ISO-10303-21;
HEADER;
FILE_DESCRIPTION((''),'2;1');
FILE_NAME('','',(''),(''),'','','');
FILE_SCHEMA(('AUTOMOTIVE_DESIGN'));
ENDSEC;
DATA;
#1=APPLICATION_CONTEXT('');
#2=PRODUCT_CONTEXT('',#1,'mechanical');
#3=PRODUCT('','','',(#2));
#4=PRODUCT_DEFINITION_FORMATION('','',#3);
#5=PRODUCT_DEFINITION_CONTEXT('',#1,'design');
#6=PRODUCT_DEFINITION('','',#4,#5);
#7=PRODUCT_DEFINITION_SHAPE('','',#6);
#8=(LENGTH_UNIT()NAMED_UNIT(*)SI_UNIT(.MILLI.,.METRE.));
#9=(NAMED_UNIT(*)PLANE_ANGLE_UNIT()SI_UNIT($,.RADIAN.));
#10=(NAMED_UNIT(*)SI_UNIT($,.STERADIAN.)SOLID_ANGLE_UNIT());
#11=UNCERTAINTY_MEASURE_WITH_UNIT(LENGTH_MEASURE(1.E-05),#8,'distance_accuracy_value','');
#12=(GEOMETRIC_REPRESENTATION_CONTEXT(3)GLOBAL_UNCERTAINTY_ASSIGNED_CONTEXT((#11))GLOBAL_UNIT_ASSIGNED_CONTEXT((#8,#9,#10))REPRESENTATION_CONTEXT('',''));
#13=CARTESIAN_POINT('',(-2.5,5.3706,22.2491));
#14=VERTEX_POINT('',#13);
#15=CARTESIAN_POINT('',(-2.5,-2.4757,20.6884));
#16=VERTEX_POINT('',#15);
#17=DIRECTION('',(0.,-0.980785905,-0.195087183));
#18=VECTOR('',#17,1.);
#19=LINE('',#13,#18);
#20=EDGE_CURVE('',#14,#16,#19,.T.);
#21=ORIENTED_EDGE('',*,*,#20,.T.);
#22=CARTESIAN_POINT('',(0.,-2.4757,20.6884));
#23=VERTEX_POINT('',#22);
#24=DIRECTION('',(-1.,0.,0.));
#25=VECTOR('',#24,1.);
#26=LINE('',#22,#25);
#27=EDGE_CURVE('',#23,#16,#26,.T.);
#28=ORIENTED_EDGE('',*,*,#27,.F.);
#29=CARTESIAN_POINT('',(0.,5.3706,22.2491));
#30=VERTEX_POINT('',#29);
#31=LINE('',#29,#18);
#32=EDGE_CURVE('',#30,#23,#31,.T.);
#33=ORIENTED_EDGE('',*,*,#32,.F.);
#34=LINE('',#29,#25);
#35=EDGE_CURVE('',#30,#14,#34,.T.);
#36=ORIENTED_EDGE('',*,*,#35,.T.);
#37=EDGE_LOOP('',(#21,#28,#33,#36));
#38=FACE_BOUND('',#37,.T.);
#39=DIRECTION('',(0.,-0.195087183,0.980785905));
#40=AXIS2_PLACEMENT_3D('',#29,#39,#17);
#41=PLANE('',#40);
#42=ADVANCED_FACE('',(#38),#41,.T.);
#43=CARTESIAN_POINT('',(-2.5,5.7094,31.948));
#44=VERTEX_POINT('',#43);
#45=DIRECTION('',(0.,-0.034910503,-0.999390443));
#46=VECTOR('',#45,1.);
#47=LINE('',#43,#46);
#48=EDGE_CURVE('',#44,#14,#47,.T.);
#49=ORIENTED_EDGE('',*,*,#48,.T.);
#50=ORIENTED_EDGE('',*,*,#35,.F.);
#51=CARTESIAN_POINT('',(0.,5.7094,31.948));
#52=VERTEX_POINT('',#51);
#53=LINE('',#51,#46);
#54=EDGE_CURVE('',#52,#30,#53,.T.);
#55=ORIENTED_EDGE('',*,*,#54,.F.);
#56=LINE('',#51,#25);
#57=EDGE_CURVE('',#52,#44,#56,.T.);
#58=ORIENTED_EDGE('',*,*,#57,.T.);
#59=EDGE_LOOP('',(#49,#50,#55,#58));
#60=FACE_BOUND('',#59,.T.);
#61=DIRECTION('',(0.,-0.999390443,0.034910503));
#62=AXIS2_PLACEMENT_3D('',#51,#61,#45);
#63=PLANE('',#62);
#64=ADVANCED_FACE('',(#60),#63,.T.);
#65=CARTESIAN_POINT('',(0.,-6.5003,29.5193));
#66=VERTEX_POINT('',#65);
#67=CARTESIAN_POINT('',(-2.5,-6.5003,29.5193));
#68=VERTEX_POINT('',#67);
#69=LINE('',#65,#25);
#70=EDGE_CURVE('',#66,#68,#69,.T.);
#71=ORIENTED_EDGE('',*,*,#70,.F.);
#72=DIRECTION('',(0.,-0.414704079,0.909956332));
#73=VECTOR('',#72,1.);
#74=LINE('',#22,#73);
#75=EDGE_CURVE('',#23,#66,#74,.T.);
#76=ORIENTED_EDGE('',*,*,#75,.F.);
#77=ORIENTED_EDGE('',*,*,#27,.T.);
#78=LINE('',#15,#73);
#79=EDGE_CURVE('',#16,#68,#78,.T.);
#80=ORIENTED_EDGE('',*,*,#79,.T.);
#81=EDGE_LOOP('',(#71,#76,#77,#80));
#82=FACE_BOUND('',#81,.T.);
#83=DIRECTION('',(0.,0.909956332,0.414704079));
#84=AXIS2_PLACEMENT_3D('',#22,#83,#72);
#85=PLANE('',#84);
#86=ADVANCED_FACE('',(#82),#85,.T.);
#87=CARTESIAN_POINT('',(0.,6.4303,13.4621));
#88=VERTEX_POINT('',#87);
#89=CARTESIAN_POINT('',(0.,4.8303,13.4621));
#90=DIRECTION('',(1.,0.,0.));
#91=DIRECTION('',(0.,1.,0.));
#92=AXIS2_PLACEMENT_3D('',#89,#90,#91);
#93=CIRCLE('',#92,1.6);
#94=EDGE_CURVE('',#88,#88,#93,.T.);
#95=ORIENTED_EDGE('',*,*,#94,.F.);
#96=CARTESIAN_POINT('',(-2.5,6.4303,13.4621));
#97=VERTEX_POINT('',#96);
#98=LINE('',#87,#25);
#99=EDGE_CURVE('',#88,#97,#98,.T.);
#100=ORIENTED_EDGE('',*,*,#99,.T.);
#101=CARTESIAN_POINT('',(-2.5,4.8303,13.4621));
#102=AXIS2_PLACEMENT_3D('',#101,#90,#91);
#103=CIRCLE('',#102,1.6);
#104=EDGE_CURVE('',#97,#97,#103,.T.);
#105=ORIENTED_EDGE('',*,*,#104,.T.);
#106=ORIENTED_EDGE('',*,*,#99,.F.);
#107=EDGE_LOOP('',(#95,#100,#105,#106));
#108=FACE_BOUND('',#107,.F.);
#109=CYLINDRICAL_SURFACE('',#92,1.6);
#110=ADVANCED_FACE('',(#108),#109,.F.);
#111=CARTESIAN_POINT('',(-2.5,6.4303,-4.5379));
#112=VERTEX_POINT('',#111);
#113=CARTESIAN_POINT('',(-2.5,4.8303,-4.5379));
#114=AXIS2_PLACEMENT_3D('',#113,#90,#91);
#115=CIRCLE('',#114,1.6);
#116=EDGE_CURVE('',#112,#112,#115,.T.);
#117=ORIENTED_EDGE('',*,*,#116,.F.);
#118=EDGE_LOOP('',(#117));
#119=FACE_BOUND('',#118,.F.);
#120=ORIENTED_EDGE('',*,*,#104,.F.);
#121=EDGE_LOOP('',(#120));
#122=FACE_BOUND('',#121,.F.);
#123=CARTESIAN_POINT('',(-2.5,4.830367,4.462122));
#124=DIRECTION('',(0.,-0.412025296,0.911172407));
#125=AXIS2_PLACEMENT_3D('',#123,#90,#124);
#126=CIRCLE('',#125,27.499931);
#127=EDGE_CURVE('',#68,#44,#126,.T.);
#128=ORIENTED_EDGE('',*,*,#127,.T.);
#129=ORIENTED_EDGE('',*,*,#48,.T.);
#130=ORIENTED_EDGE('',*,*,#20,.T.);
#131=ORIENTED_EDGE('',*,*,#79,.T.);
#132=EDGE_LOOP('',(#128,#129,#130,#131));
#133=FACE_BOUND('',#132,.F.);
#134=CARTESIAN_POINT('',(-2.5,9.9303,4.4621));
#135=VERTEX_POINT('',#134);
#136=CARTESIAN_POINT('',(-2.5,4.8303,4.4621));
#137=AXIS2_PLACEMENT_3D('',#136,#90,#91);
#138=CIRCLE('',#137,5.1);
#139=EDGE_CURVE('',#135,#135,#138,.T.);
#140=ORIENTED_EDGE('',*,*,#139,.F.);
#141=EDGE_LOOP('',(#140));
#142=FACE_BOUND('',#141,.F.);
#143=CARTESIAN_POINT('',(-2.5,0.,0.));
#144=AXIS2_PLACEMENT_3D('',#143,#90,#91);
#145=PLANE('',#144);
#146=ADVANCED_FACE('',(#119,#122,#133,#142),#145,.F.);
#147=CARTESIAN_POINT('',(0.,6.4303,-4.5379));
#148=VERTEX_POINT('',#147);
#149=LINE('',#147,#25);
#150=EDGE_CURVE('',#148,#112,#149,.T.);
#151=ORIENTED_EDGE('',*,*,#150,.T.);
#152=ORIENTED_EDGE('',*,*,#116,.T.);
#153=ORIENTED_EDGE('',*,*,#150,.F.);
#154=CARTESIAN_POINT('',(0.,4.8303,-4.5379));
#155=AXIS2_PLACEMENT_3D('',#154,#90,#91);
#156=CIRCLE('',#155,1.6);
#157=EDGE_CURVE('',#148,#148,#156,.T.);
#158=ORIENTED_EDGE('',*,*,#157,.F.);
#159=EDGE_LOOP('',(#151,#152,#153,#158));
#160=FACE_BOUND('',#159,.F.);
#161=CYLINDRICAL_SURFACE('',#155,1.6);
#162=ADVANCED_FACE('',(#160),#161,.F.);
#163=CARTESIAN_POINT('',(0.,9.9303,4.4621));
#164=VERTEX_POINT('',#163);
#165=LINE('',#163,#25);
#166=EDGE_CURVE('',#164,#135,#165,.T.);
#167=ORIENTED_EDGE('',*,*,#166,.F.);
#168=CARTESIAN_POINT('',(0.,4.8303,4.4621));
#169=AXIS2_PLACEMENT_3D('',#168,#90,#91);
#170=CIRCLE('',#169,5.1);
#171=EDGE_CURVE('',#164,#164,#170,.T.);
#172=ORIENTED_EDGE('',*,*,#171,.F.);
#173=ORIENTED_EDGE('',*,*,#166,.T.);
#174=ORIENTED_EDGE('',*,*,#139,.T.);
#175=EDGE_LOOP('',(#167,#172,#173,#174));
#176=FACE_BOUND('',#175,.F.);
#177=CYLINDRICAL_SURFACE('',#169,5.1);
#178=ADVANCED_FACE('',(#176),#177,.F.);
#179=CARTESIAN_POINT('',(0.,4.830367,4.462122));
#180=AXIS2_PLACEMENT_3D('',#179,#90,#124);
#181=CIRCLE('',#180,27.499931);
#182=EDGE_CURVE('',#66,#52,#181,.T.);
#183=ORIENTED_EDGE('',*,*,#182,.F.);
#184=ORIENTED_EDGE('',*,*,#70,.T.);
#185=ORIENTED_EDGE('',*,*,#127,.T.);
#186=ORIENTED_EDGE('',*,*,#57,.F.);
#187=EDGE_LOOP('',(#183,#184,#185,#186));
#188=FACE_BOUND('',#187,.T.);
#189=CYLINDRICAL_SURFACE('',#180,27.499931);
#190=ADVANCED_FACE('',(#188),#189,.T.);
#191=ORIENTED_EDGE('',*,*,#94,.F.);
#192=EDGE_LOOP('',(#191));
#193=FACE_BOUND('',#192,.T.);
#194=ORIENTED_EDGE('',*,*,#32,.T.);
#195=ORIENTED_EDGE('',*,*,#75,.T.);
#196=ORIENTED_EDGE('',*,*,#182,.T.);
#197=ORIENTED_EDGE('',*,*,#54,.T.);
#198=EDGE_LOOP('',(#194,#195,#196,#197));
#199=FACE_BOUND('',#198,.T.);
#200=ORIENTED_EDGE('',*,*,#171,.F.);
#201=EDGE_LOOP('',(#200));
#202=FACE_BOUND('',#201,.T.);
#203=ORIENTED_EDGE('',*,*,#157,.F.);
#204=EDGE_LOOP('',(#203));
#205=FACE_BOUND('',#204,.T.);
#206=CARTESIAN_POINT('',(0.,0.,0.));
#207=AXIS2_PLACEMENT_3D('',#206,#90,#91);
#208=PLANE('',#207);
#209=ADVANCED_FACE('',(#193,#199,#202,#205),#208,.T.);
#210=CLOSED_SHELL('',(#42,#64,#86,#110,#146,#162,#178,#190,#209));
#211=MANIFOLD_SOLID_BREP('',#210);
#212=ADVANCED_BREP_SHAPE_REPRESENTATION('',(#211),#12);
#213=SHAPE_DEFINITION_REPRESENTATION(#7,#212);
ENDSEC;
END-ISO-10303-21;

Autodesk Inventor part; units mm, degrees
ref_plane "YZ Plane" through (0, 0, 0) normal (1, 0, 0) x (0, 1, 0)
ref_plane "XZ Plane" through (0, 0, 0) normal (0, 1, 0) x (-1, 0, 0)
ref_plane "XY Plane" through (0, 0, 0) normal (0, 0, 1) x (1, 0, 0)
sketch "スケッチ1" plane through (0, 0, 0) normal (1, 0, 0) x (0, 1, 0)
  line L0 (-2.4757, 20.6884) -> (-6.5003, 29.5193)
  arc A0 (-6.5003, 29.5193) -> (5.7094, 31.948) centre (4.8303, 4.4621) ccw
  line L1 (5.7094, 31.948) -> (5.3706, 22.2491)
  line L2 (5.3706, 22.2491) -> (-2.4757, 20.6884)
  circle A1 centre (4.8303, -4.5379) radius 1.6
  circle A2 centre (4.8303, 13.4621) radius 1.6
  circle A3 centre (4.8303, 4.4621) radius 5.1
  point P0 (0, 0)
extrude "押し出し1" add sketch "スケッチ1" against normal blind 2.5
properties part number "belt_liner_v3_3DP_P-2-F" material "ABS プラスチック"
